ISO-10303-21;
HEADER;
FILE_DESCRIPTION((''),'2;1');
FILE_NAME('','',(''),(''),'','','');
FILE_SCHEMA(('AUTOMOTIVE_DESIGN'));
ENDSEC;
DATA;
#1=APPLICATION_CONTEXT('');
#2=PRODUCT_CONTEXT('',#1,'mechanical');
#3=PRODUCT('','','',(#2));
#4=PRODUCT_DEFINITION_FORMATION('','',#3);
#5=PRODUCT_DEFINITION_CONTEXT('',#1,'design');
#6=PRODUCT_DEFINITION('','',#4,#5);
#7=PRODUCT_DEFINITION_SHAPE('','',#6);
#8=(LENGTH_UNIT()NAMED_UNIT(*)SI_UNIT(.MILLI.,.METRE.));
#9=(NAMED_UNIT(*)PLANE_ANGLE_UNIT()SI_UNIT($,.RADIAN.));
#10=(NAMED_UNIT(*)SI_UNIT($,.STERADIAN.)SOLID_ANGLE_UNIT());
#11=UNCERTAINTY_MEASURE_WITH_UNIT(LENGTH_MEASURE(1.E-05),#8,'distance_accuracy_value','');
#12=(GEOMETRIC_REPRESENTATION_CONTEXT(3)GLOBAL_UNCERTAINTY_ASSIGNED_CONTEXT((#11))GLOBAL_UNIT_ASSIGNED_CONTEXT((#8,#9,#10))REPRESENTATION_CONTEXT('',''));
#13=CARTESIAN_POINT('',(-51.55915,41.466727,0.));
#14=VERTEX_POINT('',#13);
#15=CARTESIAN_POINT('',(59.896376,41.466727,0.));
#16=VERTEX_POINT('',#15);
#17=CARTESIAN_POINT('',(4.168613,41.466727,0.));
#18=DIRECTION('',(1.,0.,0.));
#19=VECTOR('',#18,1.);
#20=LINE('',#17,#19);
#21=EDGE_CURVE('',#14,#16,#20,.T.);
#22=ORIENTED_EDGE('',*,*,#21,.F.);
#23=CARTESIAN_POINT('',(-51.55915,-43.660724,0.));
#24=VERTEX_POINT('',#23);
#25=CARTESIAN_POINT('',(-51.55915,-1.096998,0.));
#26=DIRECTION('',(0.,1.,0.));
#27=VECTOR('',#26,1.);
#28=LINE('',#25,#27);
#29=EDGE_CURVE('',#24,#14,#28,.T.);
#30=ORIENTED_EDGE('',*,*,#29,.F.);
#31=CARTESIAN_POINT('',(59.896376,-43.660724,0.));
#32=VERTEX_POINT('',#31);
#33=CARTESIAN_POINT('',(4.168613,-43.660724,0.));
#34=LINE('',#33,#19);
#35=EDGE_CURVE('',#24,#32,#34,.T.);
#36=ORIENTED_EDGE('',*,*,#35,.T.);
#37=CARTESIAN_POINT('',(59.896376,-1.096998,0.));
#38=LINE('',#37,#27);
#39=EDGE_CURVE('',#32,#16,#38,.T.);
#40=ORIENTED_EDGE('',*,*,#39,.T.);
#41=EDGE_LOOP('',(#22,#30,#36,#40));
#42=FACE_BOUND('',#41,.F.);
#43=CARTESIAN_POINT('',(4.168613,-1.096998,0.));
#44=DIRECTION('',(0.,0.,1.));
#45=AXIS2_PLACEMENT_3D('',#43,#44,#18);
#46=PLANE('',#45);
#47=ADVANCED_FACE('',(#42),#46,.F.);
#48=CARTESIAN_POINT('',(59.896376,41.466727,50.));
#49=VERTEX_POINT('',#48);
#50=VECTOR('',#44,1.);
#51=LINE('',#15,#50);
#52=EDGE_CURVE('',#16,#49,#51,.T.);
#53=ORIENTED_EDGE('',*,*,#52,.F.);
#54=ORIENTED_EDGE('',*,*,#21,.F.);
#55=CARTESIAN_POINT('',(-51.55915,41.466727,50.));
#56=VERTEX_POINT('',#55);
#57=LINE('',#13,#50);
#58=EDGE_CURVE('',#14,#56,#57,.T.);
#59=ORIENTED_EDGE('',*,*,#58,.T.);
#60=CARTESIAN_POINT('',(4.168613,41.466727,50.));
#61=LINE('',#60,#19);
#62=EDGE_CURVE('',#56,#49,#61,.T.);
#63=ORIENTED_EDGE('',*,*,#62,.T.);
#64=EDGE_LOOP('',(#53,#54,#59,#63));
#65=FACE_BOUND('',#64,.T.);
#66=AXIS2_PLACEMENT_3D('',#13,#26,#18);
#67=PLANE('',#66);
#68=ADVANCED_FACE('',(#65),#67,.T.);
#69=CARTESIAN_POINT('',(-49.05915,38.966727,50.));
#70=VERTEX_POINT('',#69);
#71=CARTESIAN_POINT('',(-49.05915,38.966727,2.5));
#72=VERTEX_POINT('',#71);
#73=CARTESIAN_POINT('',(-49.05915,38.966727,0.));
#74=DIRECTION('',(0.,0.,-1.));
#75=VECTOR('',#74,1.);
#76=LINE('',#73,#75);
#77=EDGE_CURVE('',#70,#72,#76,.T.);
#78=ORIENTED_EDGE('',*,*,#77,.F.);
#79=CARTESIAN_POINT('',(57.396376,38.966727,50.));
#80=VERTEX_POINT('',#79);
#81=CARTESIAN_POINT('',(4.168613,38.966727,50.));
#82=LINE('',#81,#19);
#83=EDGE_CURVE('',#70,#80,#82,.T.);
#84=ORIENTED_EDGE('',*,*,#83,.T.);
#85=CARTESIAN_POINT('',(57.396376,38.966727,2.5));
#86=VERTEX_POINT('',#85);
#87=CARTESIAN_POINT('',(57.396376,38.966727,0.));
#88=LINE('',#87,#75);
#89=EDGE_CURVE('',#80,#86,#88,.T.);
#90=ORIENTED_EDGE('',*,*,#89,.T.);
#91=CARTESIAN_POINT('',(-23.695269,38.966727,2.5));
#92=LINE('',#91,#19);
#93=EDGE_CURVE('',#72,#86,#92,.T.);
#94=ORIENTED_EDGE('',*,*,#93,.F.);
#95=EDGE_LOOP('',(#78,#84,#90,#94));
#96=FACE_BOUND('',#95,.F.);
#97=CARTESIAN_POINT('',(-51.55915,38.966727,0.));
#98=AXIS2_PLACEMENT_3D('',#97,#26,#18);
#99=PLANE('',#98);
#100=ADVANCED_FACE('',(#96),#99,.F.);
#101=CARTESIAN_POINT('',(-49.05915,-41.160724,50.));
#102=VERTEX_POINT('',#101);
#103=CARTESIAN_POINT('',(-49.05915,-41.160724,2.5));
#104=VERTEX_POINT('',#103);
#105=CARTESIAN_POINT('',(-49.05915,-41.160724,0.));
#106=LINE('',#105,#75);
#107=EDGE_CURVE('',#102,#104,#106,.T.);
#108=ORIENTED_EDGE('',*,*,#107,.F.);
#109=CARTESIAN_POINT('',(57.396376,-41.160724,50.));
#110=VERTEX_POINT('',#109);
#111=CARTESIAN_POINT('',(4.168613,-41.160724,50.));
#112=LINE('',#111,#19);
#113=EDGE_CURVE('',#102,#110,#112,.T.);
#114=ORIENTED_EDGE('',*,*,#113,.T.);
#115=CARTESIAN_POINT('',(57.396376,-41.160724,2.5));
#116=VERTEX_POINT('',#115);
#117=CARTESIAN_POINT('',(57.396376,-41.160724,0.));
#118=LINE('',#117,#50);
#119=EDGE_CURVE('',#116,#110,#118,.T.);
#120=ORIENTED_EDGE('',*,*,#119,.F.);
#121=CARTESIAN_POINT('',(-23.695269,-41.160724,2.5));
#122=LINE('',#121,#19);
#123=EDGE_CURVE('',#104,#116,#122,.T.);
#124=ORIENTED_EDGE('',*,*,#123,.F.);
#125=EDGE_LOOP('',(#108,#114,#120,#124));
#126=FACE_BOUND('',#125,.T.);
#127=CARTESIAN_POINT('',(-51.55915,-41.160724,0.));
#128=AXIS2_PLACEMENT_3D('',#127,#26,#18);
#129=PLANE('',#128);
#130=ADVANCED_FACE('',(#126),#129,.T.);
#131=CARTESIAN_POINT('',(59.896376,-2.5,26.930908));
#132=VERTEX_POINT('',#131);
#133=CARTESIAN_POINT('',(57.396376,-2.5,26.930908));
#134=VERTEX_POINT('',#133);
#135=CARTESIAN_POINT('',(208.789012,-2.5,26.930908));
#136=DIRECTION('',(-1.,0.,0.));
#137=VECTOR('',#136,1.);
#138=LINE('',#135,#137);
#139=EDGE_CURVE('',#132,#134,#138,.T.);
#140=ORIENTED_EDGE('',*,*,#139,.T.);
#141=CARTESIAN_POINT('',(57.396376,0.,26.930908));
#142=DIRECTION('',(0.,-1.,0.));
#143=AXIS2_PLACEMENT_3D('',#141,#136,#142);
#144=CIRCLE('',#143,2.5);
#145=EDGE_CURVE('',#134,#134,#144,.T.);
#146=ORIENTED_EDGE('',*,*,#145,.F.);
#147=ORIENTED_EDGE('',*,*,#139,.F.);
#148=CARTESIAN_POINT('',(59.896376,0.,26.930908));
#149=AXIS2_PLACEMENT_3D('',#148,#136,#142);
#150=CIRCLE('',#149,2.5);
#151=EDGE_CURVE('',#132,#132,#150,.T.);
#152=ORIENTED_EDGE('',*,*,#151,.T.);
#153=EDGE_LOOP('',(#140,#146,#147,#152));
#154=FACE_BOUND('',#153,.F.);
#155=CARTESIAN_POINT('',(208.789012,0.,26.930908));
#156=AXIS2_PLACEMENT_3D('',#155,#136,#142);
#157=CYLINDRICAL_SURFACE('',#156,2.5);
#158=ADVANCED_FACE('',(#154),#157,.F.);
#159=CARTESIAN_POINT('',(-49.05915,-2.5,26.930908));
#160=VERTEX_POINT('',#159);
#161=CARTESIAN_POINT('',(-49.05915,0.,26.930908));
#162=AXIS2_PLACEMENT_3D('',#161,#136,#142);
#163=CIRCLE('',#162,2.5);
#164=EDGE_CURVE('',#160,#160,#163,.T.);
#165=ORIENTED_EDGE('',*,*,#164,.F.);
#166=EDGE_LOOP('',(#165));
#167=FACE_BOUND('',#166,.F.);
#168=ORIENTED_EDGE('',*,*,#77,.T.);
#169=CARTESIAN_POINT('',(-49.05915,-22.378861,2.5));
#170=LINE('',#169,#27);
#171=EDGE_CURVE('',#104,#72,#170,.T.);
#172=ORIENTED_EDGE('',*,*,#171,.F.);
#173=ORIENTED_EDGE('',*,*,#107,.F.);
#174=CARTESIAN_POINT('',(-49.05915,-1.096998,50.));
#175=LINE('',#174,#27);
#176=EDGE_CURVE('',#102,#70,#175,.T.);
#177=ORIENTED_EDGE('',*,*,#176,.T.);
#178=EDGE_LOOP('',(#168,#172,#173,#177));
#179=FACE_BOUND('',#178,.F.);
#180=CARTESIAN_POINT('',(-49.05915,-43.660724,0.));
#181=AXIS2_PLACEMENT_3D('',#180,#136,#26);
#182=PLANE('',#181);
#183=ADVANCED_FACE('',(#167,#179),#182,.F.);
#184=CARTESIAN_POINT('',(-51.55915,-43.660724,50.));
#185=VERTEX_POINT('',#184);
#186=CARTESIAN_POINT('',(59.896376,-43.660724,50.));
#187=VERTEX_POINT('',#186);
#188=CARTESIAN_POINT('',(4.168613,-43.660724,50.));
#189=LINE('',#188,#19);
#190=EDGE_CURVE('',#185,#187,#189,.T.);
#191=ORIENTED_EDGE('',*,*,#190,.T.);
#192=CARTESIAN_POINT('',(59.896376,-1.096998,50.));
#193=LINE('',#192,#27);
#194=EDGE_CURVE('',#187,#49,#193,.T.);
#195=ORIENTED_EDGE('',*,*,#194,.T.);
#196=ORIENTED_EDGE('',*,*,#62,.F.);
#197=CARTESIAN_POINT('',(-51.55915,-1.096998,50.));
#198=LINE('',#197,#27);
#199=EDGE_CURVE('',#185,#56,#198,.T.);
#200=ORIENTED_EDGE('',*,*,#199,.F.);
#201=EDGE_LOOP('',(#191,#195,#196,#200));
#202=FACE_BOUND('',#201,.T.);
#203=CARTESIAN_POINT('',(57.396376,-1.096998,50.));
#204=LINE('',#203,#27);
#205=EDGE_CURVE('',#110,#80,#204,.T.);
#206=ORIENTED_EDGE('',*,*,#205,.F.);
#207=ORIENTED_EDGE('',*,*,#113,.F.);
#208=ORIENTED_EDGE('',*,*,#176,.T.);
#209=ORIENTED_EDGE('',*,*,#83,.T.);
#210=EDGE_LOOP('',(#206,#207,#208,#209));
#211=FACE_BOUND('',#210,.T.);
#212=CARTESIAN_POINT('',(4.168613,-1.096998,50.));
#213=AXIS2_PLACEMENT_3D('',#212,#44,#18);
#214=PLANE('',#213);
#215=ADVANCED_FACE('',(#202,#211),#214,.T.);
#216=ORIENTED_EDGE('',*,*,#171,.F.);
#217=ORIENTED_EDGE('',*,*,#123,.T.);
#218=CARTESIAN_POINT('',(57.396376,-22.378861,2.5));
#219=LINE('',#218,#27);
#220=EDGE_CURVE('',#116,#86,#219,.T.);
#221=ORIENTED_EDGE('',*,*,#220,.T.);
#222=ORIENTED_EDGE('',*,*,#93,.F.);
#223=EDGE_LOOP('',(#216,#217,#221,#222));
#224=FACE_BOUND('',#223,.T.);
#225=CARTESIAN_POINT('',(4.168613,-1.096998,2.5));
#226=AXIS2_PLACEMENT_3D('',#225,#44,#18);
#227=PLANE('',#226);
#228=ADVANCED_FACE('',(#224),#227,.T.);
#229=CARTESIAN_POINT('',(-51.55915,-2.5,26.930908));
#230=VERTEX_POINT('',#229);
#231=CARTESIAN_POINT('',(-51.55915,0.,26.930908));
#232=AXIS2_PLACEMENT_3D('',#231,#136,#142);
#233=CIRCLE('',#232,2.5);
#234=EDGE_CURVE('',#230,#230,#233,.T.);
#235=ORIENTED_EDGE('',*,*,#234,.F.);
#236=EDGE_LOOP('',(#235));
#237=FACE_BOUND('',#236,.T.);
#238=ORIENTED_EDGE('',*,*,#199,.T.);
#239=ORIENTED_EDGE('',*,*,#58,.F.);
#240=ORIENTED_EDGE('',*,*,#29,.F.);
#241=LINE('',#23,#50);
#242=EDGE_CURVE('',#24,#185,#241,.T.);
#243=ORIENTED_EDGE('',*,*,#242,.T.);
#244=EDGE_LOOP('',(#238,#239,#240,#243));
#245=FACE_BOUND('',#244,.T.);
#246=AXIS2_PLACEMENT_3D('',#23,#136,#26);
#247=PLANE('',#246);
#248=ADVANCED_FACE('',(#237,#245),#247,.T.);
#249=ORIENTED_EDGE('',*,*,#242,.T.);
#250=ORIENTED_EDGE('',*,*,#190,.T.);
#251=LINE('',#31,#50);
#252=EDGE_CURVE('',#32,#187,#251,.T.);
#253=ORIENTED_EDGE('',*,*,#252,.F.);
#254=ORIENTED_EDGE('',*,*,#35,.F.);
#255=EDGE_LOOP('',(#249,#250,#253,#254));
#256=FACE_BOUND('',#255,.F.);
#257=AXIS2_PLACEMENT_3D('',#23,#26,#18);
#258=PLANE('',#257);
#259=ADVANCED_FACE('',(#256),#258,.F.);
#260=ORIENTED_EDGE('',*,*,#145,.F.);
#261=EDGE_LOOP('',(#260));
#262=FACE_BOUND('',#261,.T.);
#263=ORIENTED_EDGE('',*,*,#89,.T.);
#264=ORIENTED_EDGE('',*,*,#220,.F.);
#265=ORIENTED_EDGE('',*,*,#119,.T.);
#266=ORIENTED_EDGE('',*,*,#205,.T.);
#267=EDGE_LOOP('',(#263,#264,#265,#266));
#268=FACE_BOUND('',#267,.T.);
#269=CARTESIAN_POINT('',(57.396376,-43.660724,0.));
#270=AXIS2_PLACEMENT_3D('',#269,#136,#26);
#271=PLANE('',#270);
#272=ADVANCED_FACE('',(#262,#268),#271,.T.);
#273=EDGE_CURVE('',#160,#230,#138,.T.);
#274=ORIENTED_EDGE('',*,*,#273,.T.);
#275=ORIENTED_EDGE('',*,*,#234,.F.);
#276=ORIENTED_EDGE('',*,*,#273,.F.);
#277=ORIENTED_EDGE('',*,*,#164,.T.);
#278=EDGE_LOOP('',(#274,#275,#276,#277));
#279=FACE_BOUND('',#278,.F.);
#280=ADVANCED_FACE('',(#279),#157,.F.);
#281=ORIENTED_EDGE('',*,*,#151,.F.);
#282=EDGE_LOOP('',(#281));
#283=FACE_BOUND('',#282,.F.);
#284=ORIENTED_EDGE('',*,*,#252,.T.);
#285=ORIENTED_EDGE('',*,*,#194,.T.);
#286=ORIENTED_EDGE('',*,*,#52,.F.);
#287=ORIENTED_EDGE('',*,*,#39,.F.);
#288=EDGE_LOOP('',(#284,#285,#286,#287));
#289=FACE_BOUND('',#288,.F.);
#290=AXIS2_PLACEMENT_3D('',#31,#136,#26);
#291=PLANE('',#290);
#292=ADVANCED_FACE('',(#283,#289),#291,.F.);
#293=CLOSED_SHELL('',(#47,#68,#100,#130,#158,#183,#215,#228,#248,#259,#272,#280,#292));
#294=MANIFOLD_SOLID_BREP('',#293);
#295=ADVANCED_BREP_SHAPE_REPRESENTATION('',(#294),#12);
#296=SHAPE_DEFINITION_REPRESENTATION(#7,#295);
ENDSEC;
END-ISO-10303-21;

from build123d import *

# Parameters (mm, degrees)
F0_W     = 111.455526
F0_H     = 85.127451
F1_DEPTH = 50
F2_T     = -2.5
F4_D     = 5


with BuildPart() as f1:
    # F0 (on Top) → F1 (new body)
    with BuildSketch(Plane.XY):
        with Locations((4.168613, -1.096998)):
            Rectangle(F0_W, F0_H)
    extrude(amount=F1_DEPTH)

    # F2
    f2_openings = [f1.faces().sort_by_distance(p)[0] for p in [
        (4.168613, -1.096997, 50),
    ]]
    offset(amount=F2_T, openings=f2_openings)

    # F4 (through all)
    with Locations(Plane.YZ.offset(59.896376)):
        with Locations((0, 26.930908)):
            Hole(F4_D / 2)


solid = f1.part
